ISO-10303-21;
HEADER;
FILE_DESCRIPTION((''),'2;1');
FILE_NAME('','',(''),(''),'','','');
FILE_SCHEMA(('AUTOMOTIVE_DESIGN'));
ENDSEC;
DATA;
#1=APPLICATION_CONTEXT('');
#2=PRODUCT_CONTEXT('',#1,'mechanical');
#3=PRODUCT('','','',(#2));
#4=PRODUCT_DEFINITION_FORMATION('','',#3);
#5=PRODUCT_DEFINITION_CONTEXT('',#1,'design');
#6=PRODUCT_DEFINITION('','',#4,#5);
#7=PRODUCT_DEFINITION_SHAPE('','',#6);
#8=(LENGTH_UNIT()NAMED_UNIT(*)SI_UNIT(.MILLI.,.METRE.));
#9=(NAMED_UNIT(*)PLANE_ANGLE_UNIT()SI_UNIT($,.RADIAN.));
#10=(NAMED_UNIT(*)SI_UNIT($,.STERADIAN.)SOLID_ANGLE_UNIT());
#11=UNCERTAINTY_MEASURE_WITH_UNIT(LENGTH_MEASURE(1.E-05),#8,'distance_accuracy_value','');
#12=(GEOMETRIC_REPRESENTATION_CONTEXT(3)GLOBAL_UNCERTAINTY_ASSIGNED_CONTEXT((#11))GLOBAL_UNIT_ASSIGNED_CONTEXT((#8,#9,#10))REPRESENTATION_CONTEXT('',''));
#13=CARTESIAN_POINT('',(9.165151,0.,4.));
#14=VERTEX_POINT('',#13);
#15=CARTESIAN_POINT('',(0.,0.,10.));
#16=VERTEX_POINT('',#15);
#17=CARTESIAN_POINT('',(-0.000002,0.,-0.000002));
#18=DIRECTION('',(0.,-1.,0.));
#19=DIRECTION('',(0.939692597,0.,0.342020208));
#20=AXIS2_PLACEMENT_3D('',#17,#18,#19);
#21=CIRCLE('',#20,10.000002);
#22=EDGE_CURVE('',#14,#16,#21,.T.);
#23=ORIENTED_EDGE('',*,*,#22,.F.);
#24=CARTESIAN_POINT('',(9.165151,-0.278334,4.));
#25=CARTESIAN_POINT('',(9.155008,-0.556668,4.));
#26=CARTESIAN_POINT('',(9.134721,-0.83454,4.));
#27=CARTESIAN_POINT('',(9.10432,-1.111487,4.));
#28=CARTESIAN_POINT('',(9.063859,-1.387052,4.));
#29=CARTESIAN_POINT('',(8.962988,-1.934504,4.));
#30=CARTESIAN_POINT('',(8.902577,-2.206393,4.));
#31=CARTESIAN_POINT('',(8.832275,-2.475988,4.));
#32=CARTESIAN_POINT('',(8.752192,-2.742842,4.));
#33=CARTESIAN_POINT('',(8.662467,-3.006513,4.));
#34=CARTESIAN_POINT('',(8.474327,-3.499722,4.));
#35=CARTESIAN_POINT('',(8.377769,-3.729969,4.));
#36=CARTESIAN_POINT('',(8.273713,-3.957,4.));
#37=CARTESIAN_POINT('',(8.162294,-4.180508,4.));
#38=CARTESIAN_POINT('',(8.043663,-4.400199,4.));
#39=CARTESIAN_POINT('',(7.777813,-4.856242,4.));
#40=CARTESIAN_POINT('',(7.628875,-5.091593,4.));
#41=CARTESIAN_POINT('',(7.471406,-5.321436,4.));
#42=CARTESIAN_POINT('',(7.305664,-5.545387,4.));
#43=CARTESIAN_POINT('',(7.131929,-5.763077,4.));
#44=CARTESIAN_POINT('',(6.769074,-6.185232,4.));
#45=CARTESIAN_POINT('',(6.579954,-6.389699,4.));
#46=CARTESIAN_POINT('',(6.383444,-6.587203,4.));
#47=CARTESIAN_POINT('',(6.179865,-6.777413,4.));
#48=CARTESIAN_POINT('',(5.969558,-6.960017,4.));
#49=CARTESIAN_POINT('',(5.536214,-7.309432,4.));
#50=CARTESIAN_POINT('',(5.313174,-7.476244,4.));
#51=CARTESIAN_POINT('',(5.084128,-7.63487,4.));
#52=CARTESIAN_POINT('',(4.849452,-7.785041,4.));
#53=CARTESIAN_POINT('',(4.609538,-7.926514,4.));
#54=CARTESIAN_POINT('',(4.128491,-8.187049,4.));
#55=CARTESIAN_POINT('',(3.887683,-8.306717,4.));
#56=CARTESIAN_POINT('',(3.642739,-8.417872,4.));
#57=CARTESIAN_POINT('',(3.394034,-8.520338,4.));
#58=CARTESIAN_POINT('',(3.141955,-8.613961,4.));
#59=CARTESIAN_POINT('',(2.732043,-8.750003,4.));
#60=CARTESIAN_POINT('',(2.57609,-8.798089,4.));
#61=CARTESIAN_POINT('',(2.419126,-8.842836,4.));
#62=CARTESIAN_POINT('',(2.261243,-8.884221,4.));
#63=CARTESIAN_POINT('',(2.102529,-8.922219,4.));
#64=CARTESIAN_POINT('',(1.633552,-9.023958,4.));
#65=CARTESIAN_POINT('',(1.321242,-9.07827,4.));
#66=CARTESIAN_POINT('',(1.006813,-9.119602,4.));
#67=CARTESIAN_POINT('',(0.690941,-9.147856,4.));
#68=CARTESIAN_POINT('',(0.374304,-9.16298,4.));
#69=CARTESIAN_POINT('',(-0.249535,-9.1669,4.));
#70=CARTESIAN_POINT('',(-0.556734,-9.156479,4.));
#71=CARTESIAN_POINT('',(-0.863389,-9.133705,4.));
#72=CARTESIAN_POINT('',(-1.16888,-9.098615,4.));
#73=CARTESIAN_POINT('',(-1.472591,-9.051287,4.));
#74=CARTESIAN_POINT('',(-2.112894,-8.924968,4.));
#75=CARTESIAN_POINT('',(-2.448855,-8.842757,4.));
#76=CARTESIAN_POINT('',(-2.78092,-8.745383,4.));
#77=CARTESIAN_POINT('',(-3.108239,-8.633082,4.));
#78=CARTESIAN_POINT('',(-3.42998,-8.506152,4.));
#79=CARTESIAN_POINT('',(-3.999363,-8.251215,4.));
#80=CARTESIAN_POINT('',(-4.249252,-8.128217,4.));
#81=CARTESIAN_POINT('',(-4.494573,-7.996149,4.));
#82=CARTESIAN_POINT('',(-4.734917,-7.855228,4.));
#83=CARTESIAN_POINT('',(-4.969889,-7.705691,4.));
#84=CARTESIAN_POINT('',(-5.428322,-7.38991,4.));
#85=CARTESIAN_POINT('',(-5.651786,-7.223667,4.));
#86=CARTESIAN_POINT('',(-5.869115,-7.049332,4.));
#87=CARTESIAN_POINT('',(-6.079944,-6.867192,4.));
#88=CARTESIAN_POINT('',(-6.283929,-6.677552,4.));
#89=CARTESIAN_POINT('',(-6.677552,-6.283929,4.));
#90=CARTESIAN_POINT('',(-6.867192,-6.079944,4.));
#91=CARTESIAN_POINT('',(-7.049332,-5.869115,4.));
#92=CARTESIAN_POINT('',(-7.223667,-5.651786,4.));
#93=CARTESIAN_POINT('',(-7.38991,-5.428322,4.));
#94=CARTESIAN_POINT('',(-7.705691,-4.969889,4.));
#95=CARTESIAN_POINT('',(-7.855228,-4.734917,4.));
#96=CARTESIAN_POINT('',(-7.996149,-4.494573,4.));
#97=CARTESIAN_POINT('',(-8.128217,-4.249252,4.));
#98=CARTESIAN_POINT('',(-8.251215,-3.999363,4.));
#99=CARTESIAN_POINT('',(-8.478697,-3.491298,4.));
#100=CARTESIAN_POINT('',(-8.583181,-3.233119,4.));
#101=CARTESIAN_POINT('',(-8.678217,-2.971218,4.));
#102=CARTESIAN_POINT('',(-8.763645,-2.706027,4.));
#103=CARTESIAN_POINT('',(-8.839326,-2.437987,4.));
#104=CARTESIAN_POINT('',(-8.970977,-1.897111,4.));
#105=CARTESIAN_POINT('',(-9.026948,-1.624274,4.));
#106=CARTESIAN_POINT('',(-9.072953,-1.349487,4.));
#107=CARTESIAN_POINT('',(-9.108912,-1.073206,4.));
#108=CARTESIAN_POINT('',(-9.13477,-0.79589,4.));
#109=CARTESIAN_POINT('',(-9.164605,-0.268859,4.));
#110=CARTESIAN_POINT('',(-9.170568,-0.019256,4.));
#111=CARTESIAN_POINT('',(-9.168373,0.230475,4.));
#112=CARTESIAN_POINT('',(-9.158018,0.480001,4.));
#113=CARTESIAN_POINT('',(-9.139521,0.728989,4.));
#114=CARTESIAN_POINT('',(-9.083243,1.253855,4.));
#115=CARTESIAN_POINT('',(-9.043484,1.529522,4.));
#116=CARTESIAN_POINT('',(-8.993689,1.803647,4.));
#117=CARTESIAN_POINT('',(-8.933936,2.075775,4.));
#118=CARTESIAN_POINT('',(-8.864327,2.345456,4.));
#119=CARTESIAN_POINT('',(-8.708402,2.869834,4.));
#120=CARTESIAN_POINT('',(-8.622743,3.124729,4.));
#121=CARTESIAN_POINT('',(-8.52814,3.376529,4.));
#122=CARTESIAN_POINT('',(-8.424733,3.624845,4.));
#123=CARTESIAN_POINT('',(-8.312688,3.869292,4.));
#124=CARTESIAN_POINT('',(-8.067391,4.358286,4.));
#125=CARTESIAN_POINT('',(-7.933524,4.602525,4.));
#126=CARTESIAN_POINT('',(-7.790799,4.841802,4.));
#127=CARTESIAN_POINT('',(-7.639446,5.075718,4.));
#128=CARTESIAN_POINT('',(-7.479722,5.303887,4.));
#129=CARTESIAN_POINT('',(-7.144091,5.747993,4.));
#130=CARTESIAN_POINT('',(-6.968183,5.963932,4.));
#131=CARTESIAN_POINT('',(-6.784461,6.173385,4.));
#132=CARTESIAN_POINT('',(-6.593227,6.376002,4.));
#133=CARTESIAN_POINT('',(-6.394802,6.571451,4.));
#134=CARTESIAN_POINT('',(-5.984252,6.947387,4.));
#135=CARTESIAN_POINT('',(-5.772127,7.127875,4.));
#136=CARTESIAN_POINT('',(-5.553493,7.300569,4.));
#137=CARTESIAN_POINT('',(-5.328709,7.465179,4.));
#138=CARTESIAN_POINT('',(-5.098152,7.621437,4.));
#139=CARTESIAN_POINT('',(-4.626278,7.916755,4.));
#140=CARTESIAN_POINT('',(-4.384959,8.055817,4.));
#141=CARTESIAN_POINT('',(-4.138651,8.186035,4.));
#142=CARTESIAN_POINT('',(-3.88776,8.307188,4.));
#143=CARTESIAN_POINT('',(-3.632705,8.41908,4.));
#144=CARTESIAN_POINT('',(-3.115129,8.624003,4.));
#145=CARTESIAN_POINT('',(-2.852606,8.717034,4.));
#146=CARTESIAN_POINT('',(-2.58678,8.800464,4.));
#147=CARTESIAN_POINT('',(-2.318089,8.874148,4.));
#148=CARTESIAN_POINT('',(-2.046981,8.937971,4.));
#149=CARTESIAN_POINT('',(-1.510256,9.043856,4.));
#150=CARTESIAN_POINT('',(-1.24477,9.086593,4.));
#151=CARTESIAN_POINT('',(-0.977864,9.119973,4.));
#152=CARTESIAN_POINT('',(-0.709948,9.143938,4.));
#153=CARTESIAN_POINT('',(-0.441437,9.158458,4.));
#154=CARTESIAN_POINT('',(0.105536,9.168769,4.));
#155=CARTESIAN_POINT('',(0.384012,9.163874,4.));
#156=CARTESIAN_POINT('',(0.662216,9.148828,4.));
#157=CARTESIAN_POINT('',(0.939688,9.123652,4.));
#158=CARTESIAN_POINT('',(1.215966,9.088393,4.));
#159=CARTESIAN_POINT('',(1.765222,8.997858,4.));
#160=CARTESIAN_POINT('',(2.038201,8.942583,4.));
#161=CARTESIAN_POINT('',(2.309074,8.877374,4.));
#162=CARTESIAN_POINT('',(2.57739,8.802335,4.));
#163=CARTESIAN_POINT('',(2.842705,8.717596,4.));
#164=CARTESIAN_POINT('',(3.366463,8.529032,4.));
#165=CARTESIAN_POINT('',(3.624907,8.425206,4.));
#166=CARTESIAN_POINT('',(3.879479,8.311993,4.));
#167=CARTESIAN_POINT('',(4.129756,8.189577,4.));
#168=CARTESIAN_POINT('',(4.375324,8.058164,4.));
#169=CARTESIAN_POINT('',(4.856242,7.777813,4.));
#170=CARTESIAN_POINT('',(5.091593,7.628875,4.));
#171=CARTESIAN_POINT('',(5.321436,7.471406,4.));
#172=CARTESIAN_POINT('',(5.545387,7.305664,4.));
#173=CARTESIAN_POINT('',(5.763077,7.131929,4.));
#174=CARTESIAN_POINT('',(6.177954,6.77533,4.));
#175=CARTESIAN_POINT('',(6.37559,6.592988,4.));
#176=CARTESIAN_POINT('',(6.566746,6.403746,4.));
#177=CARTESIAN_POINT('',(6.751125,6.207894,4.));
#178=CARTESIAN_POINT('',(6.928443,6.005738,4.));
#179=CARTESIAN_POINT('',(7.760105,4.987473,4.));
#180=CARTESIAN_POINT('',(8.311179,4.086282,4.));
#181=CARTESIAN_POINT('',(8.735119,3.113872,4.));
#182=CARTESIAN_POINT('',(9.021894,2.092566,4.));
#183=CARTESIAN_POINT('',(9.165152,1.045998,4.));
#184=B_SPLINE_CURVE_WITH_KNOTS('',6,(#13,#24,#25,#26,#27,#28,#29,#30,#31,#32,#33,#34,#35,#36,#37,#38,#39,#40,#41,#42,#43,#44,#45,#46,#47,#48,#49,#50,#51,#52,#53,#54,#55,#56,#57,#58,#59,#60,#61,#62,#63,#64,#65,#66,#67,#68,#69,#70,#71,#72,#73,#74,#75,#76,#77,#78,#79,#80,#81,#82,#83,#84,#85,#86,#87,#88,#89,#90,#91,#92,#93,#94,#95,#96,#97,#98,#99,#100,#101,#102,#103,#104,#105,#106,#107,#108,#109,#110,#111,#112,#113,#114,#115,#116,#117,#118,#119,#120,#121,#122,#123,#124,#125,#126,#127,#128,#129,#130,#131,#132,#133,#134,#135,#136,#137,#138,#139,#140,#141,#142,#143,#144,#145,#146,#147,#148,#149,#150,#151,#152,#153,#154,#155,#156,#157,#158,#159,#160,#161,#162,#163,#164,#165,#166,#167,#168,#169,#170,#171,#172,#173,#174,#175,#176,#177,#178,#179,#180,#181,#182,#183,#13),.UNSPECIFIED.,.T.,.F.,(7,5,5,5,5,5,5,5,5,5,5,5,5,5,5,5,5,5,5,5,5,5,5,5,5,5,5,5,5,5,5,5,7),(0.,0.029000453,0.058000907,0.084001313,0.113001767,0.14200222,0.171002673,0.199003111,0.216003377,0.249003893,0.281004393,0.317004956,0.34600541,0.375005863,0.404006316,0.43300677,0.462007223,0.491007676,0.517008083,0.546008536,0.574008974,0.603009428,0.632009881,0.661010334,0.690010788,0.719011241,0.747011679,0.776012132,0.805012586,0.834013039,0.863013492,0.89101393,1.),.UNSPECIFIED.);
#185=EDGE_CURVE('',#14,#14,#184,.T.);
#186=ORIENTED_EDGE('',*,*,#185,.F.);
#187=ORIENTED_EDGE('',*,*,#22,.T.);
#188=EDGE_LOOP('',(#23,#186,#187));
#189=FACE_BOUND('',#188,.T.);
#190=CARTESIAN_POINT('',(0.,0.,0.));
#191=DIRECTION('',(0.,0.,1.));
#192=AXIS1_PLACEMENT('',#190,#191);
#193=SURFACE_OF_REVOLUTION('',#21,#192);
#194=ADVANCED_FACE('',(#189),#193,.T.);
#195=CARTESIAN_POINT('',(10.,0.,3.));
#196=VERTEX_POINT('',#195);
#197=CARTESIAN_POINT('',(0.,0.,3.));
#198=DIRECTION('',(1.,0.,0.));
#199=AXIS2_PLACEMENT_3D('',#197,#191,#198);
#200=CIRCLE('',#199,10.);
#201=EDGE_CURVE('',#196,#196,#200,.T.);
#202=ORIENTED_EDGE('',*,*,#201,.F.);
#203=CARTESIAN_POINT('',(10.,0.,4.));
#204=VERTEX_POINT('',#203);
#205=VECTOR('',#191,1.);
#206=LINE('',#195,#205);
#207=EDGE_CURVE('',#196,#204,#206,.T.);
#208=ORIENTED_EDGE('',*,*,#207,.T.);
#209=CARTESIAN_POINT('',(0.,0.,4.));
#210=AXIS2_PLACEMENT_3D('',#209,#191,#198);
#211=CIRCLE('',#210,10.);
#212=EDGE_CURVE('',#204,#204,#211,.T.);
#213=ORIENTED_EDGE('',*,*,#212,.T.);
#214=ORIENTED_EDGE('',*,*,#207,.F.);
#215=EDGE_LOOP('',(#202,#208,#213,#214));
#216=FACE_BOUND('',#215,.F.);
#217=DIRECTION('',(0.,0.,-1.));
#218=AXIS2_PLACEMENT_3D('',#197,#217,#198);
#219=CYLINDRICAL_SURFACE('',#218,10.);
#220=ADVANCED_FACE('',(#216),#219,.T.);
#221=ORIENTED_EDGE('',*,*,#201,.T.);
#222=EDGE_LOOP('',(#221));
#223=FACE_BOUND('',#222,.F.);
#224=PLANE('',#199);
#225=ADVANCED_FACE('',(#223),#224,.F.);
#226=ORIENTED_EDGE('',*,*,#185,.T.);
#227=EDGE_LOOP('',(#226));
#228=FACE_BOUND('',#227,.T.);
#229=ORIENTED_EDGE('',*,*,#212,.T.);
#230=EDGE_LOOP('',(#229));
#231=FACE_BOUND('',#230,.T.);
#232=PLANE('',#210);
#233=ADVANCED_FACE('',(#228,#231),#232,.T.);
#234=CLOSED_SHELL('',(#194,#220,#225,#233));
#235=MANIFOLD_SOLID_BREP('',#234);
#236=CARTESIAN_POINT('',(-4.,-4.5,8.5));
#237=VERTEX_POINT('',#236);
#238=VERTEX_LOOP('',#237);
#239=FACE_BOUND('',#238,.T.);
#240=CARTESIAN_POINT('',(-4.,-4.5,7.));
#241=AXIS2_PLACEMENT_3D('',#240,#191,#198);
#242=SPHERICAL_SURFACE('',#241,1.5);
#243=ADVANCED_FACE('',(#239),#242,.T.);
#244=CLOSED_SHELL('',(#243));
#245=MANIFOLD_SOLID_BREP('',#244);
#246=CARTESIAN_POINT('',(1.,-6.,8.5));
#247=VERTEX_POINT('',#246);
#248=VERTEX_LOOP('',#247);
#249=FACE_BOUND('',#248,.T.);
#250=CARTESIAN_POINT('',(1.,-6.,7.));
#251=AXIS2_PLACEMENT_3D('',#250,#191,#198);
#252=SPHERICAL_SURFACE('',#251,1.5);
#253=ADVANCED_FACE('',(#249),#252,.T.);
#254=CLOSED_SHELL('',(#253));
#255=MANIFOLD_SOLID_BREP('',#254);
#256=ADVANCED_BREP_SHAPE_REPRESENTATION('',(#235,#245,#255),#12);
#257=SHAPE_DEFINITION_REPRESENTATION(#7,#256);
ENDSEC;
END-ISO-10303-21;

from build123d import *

# Parameters (mm, degrees)
CYLINDER_R     = 10
CYLINDER_DEPTH = 1


with BuildPart() as cilindre:
    # Cylinder → Cylinder (new body)
    with BuildSketch(Plane.XY.offset(3)):
        Circle(CYLINDER_R)
    extrude(amount=CYLINDER_DEPTH)


with BuildPart() as fusion:
    # Sphere → Sphere (revolve)
    with BuildSketch(Plane.XZ):
        with BuildLine():
            ThreePointArc((9.396926, 3.420201), (5.735764, 8.19152), (0, 10))
            Line((0, 10), (0, 3.420201))
            Line((0, 3.420201), (9.396926, 3.420201))
        make_face()
    revolve(axis=Axis((0, 0, 0), (0, 0, 1)))

    # Fusion: union Cilindre
    add(cilindre.part)


with BuildPart() as esfera001:
    # Sphere001 → Sphere001 (revolve)
    with BuildSketch(Plane(origin=(1, -6, 7), x_dir=(1, 0, 0), z_dir=(0, -1, 0))):
        with BuildLine():
            ThreePointArc((0, -1.5), (1.5, 0), (0, 1.5))
            Line((0, 1.5), (0, -1.5))
        make_face()
    revolve(axis=Axis((1, -6, 7), (0, 0, 1)))


with BuildPart() as fusion001:
    # Sphere002 → Sphere002 (revolve)
    with BuildSketch(Plane(origin=(-4, -4.5, 7), x_dir=(1, 0, 0), z_dir=(0, -1, 0))):
        with BuildLine():
            ThreePointArc((0, -1.5), (1.5, 0), (0, 1.5))
            Line((0, 1.5), (0, -1.5))
        make_face()
    revolve(axis=Axis((-4, -4.5, 7), (0, 0, 1)))

    # Fusion001: union Esfera001
    add(esfera001.part)


solid = Compound([fusion.part, fusion001.part])
